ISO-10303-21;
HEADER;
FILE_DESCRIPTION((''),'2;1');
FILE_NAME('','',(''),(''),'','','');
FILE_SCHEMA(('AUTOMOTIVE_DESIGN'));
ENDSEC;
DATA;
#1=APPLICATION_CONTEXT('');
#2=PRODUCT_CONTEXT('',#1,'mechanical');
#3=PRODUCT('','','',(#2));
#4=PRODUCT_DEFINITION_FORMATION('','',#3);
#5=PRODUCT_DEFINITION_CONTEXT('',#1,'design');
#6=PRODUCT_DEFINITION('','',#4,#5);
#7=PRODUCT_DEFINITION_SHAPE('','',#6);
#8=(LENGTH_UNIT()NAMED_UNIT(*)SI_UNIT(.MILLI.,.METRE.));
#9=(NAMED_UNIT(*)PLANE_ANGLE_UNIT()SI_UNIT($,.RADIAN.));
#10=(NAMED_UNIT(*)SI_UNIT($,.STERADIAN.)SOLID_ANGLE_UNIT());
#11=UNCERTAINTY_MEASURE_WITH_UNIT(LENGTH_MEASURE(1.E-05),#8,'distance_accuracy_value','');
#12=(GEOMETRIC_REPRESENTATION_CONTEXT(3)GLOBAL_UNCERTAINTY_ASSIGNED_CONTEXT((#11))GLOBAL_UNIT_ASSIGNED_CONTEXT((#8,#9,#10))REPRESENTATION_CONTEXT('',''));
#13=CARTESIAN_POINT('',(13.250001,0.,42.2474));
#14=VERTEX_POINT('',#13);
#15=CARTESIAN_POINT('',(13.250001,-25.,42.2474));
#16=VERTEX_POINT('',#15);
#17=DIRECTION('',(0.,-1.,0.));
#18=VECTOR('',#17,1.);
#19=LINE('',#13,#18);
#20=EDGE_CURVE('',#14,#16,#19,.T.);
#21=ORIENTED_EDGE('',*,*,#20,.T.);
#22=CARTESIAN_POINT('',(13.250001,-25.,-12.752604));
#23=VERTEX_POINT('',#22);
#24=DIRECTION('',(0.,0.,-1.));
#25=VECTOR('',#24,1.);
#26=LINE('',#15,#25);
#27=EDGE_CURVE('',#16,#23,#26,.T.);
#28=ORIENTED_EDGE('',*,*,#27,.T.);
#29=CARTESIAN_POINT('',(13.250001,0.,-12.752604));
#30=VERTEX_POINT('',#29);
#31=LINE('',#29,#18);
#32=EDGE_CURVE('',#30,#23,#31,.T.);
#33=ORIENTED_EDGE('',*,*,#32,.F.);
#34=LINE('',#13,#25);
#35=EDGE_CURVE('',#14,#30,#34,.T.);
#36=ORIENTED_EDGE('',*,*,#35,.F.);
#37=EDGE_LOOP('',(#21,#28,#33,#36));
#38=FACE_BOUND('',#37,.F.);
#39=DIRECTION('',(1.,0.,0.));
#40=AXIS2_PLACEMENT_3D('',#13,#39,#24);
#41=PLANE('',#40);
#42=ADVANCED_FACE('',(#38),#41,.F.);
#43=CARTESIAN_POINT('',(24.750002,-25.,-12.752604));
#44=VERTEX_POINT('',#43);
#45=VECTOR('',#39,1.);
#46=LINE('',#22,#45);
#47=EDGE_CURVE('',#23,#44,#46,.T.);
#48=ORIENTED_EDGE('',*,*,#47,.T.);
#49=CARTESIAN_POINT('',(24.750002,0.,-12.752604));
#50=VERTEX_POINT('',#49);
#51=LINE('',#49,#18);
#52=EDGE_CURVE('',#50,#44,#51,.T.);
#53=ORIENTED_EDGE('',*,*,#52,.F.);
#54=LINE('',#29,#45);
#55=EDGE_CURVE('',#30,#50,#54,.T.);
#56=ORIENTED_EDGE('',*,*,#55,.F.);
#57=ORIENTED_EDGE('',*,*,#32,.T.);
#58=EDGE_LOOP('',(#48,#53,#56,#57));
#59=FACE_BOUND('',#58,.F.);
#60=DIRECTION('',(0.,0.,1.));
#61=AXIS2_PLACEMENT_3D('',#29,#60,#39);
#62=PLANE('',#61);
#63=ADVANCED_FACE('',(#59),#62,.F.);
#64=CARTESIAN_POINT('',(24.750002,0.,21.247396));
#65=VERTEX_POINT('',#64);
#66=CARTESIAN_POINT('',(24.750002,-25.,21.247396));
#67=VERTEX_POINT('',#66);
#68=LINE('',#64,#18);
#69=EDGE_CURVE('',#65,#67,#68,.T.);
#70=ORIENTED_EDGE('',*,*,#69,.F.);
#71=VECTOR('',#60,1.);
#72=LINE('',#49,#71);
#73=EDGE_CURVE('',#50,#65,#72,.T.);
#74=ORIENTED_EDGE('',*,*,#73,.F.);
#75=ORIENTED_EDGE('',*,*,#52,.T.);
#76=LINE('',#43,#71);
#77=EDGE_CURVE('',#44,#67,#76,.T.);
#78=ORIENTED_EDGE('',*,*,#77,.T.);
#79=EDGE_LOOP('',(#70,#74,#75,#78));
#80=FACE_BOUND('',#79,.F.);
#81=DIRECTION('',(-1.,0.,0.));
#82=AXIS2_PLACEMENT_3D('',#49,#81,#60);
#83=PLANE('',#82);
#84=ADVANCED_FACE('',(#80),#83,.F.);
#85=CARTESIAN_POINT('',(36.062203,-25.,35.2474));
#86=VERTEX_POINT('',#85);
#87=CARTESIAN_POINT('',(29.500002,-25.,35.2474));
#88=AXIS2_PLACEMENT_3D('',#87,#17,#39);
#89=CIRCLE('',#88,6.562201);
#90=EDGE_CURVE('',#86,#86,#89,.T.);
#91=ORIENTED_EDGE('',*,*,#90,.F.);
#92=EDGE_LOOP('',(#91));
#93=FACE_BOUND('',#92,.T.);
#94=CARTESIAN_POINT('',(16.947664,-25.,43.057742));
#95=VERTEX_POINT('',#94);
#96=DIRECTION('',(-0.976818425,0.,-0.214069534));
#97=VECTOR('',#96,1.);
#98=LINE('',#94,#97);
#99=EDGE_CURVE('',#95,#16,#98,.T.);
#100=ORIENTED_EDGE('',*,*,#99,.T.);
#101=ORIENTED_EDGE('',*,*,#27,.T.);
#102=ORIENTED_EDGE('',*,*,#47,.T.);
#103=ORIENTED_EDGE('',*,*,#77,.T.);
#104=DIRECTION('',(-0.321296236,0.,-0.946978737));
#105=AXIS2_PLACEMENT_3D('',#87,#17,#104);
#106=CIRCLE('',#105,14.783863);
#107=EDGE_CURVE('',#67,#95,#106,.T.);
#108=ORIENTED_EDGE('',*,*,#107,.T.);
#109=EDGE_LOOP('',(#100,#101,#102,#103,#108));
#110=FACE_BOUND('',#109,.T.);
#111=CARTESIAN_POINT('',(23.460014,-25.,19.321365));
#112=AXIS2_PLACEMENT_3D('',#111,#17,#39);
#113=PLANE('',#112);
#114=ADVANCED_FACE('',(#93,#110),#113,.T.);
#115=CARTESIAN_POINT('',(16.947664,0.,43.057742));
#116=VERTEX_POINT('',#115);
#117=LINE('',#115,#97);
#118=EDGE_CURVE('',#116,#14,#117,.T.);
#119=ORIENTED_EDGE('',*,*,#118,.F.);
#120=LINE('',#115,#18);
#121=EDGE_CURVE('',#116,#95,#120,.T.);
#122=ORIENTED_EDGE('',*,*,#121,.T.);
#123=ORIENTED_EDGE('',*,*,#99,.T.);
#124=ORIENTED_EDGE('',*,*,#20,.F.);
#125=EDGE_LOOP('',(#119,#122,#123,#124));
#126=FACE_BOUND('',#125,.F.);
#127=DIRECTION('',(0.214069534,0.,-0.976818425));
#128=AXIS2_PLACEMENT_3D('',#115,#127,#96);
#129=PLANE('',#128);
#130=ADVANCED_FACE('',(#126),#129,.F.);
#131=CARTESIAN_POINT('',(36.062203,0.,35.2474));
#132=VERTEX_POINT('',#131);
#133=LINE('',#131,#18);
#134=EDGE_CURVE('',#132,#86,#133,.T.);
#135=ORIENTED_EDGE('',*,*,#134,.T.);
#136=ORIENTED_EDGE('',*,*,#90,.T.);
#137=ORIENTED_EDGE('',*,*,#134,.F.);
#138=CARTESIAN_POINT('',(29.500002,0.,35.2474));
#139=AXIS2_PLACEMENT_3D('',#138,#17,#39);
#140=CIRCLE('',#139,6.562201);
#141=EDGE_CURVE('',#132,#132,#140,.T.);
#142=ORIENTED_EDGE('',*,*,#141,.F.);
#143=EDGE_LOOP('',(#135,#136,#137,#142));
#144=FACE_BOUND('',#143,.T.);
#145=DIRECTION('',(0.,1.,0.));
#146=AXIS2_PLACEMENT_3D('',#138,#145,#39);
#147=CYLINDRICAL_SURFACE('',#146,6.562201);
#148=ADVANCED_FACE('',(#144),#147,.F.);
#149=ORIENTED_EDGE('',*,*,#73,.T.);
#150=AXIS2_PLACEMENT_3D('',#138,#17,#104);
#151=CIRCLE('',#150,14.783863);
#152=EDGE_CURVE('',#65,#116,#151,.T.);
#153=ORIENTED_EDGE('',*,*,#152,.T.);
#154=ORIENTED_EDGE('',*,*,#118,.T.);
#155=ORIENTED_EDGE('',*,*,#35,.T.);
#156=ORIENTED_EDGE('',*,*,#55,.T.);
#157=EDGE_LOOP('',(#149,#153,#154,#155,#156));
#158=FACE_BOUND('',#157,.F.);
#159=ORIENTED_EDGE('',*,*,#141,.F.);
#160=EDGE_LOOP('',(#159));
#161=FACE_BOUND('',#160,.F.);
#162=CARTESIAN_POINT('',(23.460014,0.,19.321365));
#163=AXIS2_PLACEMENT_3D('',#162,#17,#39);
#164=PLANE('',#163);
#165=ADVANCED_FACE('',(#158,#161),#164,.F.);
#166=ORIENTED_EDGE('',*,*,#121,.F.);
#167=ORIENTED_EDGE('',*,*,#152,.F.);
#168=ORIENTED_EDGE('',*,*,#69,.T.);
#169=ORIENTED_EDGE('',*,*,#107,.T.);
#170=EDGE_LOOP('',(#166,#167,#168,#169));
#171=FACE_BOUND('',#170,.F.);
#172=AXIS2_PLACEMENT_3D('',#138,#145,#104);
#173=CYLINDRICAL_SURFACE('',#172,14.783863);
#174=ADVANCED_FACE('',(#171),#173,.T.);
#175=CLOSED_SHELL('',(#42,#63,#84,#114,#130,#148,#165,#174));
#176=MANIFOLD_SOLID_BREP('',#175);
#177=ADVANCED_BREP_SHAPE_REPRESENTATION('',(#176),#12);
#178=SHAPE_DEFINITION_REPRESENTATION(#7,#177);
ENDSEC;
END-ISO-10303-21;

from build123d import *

# Parameters (mm, degrees)
F0_R     = 6.562201
F1_DEPTH = 25


with BuildPart() as f1:
    # F0 (on Front) → F1 (new body)
    with BuildSketch(Plane.XZ):
        with BuildLine():
            Line((16.947664, 43.057742), (13.250001, 42.2474))
            Line((13.250001, 42.2474), (13.250001, -12.752604))
            Line((13.250001, -12.752604), (24.750002, -12.752604))
            Line((24.750002, -12.752604), (24.750002, 21.247396))
            ThreePointArc((24.750002, 21.247396), (43.41997, 40.227069), (16.947664, 43.057742))
        make_face()
        with Locations((29.500002, 35.2474)):
            Circle(F0_R, mode=Mode.SUBTRACT)
    extrude(amount=F1_DEPTH)


solid = f1.part
